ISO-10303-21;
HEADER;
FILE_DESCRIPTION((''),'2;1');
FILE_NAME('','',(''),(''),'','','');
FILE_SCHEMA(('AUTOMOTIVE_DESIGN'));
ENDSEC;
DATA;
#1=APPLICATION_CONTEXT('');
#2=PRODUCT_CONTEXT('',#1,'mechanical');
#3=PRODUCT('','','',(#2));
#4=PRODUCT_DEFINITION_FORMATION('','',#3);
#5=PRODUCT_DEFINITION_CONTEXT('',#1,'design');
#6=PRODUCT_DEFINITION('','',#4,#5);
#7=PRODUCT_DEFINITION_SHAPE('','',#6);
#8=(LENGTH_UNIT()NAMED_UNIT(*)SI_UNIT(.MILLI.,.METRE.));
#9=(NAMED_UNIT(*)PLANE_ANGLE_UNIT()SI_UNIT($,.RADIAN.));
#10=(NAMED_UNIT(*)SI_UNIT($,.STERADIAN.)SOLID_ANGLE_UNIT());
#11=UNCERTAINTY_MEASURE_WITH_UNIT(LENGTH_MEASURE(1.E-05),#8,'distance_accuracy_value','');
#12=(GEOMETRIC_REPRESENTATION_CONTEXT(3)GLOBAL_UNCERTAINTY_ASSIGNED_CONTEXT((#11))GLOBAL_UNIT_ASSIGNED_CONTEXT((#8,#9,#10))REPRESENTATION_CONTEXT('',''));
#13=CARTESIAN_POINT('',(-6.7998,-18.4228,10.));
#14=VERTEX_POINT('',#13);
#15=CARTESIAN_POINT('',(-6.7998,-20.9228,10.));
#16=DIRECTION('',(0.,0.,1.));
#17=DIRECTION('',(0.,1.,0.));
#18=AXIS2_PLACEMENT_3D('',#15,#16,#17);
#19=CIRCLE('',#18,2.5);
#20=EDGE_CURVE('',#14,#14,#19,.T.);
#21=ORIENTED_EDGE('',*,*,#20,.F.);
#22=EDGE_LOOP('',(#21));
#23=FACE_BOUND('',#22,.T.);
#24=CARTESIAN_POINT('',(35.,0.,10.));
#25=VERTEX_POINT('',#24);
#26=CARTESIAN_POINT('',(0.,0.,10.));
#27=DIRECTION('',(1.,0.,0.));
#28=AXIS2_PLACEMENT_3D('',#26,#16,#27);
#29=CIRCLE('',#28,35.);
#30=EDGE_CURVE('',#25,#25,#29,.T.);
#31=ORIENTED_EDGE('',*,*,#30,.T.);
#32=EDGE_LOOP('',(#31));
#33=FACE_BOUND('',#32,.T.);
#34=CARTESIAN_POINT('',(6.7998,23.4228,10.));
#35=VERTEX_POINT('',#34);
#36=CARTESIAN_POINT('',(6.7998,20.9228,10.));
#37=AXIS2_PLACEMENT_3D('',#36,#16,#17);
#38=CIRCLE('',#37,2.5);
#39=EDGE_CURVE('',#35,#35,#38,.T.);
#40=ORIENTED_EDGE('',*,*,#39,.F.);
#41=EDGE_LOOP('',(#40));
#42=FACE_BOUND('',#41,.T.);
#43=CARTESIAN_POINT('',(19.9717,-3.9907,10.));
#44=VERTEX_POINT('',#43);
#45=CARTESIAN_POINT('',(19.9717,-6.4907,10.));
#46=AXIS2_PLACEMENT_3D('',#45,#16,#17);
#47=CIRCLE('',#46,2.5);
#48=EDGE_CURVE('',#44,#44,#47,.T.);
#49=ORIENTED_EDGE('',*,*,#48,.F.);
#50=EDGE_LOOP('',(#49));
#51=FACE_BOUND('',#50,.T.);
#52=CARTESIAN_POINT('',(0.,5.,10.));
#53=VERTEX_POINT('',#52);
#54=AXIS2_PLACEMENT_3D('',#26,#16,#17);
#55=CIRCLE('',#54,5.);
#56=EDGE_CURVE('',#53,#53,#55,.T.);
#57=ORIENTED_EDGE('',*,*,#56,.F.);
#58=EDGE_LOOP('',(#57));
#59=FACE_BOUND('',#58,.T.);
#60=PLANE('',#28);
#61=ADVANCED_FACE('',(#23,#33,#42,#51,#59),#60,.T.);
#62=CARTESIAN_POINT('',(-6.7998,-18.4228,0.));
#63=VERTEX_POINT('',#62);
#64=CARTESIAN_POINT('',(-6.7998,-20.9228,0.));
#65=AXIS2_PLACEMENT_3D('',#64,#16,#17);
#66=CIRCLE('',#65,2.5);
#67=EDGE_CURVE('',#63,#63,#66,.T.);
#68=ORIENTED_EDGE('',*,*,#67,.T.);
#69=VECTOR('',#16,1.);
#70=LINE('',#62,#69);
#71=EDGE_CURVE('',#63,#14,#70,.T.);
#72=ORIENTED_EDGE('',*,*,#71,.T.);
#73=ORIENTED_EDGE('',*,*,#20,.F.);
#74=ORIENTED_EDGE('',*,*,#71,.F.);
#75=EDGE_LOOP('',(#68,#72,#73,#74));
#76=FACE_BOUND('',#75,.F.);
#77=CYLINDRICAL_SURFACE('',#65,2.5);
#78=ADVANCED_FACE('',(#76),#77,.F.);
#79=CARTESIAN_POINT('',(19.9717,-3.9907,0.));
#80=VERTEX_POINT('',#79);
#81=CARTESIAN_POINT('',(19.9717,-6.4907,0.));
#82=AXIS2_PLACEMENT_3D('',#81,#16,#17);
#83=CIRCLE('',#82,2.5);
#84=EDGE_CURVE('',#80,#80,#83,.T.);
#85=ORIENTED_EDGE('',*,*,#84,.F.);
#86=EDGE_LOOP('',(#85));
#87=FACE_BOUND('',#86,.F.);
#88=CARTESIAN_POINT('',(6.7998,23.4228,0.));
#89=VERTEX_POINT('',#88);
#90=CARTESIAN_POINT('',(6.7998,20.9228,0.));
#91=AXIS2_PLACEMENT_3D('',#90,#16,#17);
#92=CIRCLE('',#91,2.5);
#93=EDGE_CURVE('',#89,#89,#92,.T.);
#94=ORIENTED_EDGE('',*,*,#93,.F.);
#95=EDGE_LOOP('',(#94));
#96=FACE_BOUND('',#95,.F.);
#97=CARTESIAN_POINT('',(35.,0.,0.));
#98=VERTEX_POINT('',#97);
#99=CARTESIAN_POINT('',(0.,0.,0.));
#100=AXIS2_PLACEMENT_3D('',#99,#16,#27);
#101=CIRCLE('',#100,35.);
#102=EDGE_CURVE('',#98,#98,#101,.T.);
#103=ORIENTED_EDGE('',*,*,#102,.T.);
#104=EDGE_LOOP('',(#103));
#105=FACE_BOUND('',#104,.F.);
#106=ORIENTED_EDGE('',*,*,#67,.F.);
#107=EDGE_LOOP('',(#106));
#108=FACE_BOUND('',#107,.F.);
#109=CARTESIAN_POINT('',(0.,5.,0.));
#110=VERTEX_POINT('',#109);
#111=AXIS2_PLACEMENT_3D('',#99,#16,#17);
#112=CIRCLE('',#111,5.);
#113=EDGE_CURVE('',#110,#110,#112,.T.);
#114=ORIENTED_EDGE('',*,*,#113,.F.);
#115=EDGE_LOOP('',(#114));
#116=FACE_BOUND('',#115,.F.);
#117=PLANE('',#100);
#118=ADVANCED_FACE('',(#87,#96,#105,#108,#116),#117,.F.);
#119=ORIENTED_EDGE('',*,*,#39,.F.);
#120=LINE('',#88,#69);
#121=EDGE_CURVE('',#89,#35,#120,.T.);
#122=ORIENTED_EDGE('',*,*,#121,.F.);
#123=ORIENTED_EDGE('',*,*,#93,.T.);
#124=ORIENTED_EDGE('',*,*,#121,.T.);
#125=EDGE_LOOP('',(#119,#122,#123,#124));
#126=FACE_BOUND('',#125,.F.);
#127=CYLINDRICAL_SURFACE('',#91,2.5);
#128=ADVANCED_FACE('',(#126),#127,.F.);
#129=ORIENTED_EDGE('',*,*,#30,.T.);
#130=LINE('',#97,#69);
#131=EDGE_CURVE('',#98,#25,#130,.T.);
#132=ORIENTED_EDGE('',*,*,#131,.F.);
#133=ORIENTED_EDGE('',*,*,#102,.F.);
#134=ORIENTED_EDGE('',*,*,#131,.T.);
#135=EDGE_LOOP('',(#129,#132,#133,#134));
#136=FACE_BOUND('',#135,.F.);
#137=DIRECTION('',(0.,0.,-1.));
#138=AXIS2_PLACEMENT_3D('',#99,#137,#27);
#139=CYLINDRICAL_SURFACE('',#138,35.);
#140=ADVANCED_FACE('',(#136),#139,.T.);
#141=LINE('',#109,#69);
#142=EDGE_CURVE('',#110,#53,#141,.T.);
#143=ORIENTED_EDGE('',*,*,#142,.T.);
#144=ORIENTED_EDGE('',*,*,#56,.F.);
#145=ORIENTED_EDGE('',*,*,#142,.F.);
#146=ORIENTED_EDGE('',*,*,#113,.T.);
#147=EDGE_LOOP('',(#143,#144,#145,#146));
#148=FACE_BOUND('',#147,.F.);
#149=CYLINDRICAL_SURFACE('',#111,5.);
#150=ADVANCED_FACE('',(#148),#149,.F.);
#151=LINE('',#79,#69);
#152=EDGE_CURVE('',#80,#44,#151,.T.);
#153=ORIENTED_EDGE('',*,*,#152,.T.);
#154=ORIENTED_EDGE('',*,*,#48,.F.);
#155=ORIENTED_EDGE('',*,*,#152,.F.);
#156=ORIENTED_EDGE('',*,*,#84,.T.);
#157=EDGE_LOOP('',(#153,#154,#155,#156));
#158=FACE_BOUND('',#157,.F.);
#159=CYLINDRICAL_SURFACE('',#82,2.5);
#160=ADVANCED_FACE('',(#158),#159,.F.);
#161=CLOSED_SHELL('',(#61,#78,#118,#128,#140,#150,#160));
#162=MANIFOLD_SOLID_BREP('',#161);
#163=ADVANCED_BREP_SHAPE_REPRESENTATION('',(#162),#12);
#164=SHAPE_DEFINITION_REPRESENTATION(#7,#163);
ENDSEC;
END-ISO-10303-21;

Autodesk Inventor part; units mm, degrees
ref_plane "YZ Plane" through (0, 0, 0) normal (1, 0, 0) x (0, 1, 0)
ref_plane "XZ Plane" through (0, 0, 0) normal (0, 1, 0) x (-1, 0, 0)
ref_plane "XY Plane" through (0, 0, 0) normal (0, 0, 1) x (1, 0, 0)
sketch "Sketch1" plane through (0, 0, 0) normal (0, 0, 1) x (1, 0, 0)
  circle A0 centre (0, 0) radius 35
  dimension "d4" = 70
extrude "Extrusion1" add sketch "Sketch1" along normal blind 10
sketch "Sketch2" plane through (0, 0, 0) normal (0, 0, -1) x (-1, 0, 0)
  circle A0 centre (19.9717, 6.4907) radius 2.5 projected
  circle A1 centre (6.7998, -20.9228) radius 2.5 projected
  circle A2 centre (-19.9717, -6.4907) radius 2.5 projected
  circle A3 centre (-6.7998, 20.9228) radius 2.5 projected
sketch3d "3D Sketch1"
hole "Hole2" at (0, 0, 0) direction (0, 0, 1) diameter 10 end through all
hole "Hole5" at (6.7998, 20.9228, 0) at (19.9717, -6.4907, 0) at (-6.7998, -20.9228, 0) direction (0, 0, 1) diameter 5 end through all
properties part number "Plate"
